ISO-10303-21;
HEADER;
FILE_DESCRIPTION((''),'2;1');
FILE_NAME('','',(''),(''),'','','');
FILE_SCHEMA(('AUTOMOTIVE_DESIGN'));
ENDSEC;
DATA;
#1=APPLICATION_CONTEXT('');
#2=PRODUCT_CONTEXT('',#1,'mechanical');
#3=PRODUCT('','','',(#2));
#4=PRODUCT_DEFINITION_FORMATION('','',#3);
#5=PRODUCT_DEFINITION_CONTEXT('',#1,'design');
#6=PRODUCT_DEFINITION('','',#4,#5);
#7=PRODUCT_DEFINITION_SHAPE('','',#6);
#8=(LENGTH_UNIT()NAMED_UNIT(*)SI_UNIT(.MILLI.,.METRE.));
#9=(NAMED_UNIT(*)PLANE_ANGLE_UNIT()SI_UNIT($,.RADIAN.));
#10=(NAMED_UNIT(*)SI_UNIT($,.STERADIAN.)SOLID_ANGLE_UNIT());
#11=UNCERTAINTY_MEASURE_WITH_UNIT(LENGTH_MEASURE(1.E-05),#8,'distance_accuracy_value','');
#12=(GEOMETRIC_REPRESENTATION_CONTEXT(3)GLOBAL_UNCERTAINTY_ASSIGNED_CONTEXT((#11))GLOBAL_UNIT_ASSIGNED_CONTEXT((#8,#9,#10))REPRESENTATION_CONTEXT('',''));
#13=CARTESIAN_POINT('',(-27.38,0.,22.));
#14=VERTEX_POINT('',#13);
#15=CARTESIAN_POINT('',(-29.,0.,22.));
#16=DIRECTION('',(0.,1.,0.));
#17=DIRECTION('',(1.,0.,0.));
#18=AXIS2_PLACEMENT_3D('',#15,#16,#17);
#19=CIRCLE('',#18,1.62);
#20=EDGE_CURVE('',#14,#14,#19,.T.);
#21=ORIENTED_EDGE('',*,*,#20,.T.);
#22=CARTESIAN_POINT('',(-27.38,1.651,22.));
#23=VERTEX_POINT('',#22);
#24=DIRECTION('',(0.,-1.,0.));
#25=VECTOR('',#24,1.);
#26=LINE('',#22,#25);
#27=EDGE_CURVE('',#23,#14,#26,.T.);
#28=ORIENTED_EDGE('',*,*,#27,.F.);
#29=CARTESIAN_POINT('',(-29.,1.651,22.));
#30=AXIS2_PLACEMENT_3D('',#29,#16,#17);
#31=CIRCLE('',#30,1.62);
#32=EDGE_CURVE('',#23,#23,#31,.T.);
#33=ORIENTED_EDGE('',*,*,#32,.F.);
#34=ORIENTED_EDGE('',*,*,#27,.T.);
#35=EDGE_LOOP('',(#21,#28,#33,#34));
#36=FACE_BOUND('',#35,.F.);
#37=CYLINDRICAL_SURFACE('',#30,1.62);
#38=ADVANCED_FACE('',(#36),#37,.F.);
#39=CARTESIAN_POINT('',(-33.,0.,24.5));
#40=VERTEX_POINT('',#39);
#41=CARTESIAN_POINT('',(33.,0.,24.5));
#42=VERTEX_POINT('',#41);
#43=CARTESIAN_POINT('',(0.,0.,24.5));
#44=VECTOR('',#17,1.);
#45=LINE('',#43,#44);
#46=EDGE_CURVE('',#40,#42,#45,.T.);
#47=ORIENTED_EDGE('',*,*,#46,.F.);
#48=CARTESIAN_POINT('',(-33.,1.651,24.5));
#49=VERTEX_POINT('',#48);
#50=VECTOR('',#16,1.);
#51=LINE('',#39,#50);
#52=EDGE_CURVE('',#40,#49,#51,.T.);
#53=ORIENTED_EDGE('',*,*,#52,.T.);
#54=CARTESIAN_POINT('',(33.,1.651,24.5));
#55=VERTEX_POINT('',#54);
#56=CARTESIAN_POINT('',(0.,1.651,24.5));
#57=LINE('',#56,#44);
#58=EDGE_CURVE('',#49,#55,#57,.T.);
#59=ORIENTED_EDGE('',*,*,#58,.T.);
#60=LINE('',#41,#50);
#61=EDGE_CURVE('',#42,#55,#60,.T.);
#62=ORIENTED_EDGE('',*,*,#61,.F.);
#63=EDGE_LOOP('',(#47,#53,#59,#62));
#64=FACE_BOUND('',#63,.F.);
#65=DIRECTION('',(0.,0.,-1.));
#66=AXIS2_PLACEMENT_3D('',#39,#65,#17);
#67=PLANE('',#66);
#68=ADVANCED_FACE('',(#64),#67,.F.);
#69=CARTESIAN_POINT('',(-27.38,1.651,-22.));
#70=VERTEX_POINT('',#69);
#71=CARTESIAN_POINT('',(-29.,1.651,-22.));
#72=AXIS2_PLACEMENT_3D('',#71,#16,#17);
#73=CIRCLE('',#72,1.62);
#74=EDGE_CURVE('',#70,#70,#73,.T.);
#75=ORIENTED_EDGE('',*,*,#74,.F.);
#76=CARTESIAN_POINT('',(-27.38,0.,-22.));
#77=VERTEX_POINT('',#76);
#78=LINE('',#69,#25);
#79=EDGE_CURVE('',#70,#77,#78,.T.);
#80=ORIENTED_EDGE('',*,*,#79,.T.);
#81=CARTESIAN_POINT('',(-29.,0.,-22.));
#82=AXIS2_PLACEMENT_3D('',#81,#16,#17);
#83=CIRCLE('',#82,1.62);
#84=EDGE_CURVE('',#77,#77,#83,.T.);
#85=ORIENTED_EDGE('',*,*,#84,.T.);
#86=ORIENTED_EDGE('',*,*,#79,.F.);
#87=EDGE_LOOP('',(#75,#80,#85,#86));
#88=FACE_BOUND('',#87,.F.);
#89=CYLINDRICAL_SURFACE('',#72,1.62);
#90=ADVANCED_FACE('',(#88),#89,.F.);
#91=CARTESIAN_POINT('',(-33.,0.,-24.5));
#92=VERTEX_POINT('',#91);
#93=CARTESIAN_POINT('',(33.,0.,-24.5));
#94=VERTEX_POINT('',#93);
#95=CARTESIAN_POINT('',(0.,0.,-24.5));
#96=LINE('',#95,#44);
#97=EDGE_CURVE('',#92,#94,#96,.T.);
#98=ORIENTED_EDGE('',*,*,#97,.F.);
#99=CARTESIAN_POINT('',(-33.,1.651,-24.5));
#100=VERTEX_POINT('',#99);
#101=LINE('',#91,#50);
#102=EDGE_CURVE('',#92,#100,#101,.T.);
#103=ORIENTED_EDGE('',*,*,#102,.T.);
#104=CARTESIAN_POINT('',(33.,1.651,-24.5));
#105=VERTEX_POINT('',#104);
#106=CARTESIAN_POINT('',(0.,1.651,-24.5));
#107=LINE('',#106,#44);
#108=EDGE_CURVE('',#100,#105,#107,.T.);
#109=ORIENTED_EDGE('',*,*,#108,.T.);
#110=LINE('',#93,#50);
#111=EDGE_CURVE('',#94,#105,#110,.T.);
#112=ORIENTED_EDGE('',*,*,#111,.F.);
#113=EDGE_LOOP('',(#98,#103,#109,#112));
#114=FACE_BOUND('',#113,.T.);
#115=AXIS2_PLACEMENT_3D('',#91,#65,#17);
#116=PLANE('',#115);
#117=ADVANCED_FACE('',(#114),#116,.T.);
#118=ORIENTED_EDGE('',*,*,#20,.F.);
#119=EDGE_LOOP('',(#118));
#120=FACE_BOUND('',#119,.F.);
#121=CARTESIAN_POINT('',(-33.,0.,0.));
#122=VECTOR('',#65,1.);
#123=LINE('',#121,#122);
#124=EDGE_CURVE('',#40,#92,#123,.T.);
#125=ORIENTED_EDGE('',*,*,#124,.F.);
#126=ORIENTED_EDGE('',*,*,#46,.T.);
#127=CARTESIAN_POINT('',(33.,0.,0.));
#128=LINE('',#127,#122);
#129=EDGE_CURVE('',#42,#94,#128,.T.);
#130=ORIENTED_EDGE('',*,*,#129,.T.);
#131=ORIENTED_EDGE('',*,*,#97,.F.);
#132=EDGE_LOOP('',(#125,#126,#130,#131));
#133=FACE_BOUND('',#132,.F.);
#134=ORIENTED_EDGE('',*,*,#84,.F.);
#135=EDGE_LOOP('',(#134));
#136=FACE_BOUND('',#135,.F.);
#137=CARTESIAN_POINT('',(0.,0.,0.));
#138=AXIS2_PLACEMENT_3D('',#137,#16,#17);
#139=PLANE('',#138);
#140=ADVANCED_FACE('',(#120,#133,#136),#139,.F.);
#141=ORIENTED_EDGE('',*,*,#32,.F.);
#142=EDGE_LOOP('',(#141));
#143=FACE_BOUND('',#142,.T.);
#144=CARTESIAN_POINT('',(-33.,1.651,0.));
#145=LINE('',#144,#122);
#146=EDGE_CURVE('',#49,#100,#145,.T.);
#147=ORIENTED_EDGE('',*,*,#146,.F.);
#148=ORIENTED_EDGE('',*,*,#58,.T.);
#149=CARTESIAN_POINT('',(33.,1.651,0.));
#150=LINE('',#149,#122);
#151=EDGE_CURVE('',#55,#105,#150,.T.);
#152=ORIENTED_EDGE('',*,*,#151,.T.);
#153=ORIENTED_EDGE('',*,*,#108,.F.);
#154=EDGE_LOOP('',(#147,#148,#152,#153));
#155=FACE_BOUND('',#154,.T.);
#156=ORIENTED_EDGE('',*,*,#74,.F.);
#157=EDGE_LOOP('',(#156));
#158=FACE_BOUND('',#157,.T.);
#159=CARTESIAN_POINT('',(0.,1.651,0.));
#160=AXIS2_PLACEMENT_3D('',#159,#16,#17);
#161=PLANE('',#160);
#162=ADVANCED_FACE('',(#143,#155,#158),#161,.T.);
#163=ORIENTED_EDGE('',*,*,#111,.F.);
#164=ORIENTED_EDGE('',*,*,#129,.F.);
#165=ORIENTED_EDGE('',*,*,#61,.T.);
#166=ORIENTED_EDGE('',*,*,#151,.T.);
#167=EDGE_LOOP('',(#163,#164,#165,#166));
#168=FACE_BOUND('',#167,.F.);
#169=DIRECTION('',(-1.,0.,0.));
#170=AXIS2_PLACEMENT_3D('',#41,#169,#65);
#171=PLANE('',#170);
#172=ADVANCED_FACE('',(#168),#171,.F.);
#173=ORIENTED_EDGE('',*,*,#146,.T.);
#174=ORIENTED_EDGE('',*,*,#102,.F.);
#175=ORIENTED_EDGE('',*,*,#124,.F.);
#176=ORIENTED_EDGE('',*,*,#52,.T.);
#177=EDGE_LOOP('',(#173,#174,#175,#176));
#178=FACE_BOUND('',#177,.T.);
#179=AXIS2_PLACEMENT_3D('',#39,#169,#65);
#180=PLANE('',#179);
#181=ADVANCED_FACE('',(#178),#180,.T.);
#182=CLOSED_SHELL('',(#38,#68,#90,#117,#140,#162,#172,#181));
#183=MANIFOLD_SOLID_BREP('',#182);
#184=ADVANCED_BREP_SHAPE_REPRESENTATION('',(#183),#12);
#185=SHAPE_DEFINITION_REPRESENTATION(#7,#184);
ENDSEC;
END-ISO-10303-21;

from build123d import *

# Parameters (mm, degrees)
SKETCH1_W           = 66
SKETCH1_H           = 49
BOSS_EXTRUDE1_DEPTH = 1.651
SKETCH2_R           = 1.62
CUT_EXTRUDE1_DEPTH  = 2.651


with BuildPart() as part:
    # Sketch1 → Boss-Extrude1 (new body)
    with BuildSketch(Plane(origin=(0, 0, 0), x_dir=(1, 0, 0), z_dir=(0, 1, 0))):
        Rectangle(SKETCH1_W, SKETCH1_H)
    extrude(amount=BOSS_EXTRUDE1_DEPTH)

    # Sketch2 → Cut-Extrude1 (cut, through all)
    with BuildSketch(Plane(origin=(0, 1.651, 0), x_dir=(1, 0, 0), z_dir=(0, 1, 0))):
        with Locations((-29, 22)):
            Circle(SKETCH2_R)
        with Locations((-29, -22)):
            Circle(SKETCH2_R)
    extrude(amount=-CUT_EXTRUDE1_DEPTH, mode=Mode.SUBTRACT)


solid = part.part
